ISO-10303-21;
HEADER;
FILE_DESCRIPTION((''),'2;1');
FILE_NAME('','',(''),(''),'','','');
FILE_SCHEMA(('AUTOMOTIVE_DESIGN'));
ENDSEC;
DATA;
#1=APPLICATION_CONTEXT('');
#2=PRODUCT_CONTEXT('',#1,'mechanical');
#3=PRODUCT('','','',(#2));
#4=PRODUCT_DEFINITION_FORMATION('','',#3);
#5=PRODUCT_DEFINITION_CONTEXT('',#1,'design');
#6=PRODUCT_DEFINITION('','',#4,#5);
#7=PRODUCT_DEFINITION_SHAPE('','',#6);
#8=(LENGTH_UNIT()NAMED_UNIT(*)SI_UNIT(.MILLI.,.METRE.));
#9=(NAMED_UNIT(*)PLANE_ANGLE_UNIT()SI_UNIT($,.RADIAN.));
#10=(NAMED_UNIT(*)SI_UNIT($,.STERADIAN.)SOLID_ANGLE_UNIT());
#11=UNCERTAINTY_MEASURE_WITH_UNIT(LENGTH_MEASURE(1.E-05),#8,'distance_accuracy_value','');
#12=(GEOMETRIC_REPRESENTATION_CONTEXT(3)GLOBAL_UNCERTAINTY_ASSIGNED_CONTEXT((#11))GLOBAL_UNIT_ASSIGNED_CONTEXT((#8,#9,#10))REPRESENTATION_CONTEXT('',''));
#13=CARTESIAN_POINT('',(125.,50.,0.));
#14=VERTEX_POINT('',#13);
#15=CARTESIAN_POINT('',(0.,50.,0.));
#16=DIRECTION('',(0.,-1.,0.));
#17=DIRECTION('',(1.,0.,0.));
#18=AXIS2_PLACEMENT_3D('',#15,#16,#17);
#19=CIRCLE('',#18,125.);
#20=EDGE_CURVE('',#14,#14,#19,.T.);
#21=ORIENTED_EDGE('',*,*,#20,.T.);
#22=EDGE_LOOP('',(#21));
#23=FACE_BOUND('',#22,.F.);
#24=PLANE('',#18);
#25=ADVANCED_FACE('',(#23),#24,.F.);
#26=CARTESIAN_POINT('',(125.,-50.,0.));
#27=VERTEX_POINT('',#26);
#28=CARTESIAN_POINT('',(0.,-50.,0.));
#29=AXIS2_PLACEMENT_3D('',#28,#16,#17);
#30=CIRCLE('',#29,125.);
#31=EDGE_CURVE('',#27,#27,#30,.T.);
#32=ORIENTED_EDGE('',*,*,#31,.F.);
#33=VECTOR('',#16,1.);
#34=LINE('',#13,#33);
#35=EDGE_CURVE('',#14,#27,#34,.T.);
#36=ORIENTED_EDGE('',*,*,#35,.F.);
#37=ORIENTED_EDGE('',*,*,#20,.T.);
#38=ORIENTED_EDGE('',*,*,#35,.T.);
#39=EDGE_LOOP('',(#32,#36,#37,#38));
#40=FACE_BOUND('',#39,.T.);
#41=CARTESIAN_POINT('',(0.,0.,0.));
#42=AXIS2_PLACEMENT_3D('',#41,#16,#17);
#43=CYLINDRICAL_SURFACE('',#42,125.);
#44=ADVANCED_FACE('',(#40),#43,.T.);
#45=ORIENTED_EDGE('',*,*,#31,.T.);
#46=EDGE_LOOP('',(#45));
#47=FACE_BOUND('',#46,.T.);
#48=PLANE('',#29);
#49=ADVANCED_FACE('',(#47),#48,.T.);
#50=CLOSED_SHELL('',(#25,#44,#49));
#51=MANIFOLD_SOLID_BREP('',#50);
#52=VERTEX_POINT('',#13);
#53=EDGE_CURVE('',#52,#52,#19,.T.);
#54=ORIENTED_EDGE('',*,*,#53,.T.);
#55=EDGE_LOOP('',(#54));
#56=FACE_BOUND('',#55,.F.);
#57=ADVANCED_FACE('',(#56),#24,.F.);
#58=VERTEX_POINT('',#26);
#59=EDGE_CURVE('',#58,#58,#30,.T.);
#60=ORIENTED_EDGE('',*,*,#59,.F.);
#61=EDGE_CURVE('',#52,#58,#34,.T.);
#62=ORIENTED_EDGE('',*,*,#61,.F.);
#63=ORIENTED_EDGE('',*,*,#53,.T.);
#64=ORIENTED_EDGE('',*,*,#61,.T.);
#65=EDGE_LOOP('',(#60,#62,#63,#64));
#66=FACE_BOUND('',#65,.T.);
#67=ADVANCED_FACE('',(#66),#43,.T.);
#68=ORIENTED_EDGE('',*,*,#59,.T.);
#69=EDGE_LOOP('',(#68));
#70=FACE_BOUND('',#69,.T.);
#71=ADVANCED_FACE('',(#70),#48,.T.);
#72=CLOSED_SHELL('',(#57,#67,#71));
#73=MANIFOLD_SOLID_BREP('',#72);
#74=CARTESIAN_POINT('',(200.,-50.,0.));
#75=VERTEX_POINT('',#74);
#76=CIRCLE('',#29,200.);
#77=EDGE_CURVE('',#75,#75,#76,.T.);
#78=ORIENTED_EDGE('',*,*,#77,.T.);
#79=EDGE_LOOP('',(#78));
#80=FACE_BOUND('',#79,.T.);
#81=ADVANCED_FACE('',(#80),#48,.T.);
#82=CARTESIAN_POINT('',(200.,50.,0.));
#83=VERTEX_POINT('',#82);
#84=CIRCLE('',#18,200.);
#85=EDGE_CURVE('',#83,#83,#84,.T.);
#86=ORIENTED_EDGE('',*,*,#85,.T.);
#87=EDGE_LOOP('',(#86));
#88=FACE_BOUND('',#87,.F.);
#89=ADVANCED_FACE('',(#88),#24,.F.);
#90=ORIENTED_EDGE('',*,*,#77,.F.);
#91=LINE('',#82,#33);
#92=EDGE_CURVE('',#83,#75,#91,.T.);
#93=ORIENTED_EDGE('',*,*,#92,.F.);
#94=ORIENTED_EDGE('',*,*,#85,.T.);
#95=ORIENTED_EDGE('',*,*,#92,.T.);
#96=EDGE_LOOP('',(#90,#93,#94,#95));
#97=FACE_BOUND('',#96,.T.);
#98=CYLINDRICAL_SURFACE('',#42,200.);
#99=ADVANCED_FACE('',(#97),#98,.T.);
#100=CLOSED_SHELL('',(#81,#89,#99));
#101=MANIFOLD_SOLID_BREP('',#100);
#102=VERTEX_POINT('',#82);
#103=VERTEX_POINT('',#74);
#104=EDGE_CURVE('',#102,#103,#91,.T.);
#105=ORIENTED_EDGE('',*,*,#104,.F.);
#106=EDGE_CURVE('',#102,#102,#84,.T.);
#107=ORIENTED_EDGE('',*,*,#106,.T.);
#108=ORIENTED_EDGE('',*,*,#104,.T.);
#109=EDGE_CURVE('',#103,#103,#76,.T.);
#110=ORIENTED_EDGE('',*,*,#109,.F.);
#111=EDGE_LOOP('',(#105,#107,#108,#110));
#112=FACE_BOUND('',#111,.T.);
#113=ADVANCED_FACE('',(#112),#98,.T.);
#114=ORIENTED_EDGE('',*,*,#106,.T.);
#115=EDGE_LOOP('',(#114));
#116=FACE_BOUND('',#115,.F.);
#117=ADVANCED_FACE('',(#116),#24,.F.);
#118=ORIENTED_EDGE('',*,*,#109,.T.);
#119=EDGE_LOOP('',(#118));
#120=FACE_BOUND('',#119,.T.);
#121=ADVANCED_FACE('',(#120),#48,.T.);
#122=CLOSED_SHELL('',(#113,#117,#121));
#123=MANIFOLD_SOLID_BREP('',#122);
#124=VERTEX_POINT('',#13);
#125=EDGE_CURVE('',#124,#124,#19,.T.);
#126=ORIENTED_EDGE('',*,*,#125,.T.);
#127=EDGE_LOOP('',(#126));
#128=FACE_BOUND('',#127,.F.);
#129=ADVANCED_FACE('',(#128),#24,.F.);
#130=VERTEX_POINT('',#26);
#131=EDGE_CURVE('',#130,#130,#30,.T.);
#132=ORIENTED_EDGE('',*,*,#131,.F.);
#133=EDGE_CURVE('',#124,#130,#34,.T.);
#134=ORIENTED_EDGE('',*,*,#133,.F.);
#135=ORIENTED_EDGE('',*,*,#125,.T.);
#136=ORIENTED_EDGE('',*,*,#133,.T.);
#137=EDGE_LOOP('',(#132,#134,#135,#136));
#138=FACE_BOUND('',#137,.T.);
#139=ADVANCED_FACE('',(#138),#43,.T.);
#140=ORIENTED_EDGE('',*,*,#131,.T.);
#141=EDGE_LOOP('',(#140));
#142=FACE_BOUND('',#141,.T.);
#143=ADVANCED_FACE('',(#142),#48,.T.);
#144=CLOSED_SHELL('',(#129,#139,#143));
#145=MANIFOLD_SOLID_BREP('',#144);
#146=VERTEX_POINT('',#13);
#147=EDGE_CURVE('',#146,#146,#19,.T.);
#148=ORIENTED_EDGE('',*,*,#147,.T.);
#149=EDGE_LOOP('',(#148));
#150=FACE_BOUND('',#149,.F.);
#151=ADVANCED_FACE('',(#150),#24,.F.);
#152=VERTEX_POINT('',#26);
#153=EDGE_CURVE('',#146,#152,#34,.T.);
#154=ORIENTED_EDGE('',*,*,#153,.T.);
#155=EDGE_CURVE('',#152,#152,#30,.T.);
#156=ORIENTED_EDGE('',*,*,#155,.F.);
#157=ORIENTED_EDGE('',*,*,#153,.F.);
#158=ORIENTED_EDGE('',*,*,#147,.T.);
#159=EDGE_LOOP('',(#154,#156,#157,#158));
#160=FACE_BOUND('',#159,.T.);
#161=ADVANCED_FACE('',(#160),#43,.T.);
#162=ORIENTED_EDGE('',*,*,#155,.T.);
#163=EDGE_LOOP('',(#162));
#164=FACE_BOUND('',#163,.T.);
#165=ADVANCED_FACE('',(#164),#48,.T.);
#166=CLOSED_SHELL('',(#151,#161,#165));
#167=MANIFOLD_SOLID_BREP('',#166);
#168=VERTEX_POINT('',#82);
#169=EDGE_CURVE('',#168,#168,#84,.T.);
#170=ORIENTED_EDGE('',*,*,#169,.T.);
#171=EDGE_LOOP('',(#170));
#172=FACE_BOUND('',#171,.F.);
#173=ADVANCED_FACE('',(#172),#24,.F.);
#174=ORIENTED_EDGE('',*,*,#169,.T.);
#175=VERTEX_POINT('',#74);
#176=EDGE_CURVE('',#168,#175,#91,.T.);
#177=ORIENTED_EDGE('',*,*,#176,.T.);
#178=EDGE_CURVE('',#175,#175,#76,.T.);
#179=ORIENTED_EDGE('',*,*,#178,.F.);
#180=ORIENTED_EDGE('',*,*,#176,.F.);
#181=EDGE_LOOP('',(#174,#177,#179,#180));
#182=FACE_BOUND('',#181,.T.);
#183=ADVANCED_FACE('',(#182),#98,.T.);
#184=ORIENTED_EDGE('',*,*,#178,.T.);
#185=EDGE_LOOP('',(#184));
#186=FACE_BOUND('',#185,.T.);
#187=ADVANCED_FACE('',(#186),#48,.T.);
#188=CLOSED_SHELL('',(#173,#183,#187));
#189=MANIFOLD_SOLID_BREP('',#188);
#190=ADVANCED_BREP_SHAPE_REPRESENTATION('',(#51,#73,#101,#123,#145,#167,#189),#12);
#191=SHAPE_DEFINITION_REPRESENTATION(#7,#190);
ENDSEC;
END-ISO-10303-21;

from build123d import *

# Parameters (mm, degrees)
F6_R     = 200
F6_R_2   = 125
F7_DEPTH = 50
F0_R     = 125
F5_R     = 200
F5_R_2   = 125
F2_R     = 125
F1_R     = 200
F1_R_2   = 125
F3_R     = 125
F4_R     = 125


with BuildPart() as f7:
    # F6 (on face) → F7 (new body, symmetric)
    with BuildSketch(Plane.XZ):
        Circle(F6_R)
        Circle(F6_R_2, mode=Mode.SUBTRACT)
        Circle(F6_R_2)
    extrude(amount=F7_DEPTH, both=True)


with BuildPart() as f7b:
    # F0 (on Front) → F7, piece 2 (new body, symmetric)
    with BuildSketch(Plane.XZ):
        Circle(F0_R)
    extrude(amount=F7_DEPTH, both=True)


with BuildPart() as f7c:
    # F5 (on face) → F7, piece 3 (new body, symmetric)
    with BuildSketch(Plane.XZ):
        Circle(F5_R)
        Circle(F5_R_2, mode=Mode.SUBTRACT)
        Circle(F5_R_2)
    extrude(amount=F7_DEPTH, both=True)


with BuildPart() as f7d:
    # F2 (on face) → F7, piece 4 (new body, symmetric)
    with BuildSketch(Plane.XZ):
        Circle(F2_R)
    extrude(amount=F7_DEPTH, both=True)


with BuildPart() as f7e:
    # F1 (on face) → F7, piece 5 (new body, symmetric)
    with BuildSketch(Plane.XZ):
        Circle(F1_R)
        Circle(F1_R_2, mode=Mode.SUBTRACT)
        Circle(F1_R_2)
    extrude(amount=F7_DEPTH, both=True)


with BuildPart() as f7f:
    # F3 (on face) → F7, piece 6 (new body, symmetric)
    with BuildSketch(Plane.XZ):
        Circle(F3_R)
    extrude(amount=F7_DEPTH, both=True)


with BuildPart() as f7g:
    # F4 (on face) → F7, piece 7 (new body, symmetric)
    with BuildSketch(Plane.XZ):
        Circle(F4_R)
    extrude(amount=F7_DEPTH, both=True)


solid = Compound([f7.part, f7b.part, f7c.part, f7d.part, f7e.part, f7f.part, f7g.part])
